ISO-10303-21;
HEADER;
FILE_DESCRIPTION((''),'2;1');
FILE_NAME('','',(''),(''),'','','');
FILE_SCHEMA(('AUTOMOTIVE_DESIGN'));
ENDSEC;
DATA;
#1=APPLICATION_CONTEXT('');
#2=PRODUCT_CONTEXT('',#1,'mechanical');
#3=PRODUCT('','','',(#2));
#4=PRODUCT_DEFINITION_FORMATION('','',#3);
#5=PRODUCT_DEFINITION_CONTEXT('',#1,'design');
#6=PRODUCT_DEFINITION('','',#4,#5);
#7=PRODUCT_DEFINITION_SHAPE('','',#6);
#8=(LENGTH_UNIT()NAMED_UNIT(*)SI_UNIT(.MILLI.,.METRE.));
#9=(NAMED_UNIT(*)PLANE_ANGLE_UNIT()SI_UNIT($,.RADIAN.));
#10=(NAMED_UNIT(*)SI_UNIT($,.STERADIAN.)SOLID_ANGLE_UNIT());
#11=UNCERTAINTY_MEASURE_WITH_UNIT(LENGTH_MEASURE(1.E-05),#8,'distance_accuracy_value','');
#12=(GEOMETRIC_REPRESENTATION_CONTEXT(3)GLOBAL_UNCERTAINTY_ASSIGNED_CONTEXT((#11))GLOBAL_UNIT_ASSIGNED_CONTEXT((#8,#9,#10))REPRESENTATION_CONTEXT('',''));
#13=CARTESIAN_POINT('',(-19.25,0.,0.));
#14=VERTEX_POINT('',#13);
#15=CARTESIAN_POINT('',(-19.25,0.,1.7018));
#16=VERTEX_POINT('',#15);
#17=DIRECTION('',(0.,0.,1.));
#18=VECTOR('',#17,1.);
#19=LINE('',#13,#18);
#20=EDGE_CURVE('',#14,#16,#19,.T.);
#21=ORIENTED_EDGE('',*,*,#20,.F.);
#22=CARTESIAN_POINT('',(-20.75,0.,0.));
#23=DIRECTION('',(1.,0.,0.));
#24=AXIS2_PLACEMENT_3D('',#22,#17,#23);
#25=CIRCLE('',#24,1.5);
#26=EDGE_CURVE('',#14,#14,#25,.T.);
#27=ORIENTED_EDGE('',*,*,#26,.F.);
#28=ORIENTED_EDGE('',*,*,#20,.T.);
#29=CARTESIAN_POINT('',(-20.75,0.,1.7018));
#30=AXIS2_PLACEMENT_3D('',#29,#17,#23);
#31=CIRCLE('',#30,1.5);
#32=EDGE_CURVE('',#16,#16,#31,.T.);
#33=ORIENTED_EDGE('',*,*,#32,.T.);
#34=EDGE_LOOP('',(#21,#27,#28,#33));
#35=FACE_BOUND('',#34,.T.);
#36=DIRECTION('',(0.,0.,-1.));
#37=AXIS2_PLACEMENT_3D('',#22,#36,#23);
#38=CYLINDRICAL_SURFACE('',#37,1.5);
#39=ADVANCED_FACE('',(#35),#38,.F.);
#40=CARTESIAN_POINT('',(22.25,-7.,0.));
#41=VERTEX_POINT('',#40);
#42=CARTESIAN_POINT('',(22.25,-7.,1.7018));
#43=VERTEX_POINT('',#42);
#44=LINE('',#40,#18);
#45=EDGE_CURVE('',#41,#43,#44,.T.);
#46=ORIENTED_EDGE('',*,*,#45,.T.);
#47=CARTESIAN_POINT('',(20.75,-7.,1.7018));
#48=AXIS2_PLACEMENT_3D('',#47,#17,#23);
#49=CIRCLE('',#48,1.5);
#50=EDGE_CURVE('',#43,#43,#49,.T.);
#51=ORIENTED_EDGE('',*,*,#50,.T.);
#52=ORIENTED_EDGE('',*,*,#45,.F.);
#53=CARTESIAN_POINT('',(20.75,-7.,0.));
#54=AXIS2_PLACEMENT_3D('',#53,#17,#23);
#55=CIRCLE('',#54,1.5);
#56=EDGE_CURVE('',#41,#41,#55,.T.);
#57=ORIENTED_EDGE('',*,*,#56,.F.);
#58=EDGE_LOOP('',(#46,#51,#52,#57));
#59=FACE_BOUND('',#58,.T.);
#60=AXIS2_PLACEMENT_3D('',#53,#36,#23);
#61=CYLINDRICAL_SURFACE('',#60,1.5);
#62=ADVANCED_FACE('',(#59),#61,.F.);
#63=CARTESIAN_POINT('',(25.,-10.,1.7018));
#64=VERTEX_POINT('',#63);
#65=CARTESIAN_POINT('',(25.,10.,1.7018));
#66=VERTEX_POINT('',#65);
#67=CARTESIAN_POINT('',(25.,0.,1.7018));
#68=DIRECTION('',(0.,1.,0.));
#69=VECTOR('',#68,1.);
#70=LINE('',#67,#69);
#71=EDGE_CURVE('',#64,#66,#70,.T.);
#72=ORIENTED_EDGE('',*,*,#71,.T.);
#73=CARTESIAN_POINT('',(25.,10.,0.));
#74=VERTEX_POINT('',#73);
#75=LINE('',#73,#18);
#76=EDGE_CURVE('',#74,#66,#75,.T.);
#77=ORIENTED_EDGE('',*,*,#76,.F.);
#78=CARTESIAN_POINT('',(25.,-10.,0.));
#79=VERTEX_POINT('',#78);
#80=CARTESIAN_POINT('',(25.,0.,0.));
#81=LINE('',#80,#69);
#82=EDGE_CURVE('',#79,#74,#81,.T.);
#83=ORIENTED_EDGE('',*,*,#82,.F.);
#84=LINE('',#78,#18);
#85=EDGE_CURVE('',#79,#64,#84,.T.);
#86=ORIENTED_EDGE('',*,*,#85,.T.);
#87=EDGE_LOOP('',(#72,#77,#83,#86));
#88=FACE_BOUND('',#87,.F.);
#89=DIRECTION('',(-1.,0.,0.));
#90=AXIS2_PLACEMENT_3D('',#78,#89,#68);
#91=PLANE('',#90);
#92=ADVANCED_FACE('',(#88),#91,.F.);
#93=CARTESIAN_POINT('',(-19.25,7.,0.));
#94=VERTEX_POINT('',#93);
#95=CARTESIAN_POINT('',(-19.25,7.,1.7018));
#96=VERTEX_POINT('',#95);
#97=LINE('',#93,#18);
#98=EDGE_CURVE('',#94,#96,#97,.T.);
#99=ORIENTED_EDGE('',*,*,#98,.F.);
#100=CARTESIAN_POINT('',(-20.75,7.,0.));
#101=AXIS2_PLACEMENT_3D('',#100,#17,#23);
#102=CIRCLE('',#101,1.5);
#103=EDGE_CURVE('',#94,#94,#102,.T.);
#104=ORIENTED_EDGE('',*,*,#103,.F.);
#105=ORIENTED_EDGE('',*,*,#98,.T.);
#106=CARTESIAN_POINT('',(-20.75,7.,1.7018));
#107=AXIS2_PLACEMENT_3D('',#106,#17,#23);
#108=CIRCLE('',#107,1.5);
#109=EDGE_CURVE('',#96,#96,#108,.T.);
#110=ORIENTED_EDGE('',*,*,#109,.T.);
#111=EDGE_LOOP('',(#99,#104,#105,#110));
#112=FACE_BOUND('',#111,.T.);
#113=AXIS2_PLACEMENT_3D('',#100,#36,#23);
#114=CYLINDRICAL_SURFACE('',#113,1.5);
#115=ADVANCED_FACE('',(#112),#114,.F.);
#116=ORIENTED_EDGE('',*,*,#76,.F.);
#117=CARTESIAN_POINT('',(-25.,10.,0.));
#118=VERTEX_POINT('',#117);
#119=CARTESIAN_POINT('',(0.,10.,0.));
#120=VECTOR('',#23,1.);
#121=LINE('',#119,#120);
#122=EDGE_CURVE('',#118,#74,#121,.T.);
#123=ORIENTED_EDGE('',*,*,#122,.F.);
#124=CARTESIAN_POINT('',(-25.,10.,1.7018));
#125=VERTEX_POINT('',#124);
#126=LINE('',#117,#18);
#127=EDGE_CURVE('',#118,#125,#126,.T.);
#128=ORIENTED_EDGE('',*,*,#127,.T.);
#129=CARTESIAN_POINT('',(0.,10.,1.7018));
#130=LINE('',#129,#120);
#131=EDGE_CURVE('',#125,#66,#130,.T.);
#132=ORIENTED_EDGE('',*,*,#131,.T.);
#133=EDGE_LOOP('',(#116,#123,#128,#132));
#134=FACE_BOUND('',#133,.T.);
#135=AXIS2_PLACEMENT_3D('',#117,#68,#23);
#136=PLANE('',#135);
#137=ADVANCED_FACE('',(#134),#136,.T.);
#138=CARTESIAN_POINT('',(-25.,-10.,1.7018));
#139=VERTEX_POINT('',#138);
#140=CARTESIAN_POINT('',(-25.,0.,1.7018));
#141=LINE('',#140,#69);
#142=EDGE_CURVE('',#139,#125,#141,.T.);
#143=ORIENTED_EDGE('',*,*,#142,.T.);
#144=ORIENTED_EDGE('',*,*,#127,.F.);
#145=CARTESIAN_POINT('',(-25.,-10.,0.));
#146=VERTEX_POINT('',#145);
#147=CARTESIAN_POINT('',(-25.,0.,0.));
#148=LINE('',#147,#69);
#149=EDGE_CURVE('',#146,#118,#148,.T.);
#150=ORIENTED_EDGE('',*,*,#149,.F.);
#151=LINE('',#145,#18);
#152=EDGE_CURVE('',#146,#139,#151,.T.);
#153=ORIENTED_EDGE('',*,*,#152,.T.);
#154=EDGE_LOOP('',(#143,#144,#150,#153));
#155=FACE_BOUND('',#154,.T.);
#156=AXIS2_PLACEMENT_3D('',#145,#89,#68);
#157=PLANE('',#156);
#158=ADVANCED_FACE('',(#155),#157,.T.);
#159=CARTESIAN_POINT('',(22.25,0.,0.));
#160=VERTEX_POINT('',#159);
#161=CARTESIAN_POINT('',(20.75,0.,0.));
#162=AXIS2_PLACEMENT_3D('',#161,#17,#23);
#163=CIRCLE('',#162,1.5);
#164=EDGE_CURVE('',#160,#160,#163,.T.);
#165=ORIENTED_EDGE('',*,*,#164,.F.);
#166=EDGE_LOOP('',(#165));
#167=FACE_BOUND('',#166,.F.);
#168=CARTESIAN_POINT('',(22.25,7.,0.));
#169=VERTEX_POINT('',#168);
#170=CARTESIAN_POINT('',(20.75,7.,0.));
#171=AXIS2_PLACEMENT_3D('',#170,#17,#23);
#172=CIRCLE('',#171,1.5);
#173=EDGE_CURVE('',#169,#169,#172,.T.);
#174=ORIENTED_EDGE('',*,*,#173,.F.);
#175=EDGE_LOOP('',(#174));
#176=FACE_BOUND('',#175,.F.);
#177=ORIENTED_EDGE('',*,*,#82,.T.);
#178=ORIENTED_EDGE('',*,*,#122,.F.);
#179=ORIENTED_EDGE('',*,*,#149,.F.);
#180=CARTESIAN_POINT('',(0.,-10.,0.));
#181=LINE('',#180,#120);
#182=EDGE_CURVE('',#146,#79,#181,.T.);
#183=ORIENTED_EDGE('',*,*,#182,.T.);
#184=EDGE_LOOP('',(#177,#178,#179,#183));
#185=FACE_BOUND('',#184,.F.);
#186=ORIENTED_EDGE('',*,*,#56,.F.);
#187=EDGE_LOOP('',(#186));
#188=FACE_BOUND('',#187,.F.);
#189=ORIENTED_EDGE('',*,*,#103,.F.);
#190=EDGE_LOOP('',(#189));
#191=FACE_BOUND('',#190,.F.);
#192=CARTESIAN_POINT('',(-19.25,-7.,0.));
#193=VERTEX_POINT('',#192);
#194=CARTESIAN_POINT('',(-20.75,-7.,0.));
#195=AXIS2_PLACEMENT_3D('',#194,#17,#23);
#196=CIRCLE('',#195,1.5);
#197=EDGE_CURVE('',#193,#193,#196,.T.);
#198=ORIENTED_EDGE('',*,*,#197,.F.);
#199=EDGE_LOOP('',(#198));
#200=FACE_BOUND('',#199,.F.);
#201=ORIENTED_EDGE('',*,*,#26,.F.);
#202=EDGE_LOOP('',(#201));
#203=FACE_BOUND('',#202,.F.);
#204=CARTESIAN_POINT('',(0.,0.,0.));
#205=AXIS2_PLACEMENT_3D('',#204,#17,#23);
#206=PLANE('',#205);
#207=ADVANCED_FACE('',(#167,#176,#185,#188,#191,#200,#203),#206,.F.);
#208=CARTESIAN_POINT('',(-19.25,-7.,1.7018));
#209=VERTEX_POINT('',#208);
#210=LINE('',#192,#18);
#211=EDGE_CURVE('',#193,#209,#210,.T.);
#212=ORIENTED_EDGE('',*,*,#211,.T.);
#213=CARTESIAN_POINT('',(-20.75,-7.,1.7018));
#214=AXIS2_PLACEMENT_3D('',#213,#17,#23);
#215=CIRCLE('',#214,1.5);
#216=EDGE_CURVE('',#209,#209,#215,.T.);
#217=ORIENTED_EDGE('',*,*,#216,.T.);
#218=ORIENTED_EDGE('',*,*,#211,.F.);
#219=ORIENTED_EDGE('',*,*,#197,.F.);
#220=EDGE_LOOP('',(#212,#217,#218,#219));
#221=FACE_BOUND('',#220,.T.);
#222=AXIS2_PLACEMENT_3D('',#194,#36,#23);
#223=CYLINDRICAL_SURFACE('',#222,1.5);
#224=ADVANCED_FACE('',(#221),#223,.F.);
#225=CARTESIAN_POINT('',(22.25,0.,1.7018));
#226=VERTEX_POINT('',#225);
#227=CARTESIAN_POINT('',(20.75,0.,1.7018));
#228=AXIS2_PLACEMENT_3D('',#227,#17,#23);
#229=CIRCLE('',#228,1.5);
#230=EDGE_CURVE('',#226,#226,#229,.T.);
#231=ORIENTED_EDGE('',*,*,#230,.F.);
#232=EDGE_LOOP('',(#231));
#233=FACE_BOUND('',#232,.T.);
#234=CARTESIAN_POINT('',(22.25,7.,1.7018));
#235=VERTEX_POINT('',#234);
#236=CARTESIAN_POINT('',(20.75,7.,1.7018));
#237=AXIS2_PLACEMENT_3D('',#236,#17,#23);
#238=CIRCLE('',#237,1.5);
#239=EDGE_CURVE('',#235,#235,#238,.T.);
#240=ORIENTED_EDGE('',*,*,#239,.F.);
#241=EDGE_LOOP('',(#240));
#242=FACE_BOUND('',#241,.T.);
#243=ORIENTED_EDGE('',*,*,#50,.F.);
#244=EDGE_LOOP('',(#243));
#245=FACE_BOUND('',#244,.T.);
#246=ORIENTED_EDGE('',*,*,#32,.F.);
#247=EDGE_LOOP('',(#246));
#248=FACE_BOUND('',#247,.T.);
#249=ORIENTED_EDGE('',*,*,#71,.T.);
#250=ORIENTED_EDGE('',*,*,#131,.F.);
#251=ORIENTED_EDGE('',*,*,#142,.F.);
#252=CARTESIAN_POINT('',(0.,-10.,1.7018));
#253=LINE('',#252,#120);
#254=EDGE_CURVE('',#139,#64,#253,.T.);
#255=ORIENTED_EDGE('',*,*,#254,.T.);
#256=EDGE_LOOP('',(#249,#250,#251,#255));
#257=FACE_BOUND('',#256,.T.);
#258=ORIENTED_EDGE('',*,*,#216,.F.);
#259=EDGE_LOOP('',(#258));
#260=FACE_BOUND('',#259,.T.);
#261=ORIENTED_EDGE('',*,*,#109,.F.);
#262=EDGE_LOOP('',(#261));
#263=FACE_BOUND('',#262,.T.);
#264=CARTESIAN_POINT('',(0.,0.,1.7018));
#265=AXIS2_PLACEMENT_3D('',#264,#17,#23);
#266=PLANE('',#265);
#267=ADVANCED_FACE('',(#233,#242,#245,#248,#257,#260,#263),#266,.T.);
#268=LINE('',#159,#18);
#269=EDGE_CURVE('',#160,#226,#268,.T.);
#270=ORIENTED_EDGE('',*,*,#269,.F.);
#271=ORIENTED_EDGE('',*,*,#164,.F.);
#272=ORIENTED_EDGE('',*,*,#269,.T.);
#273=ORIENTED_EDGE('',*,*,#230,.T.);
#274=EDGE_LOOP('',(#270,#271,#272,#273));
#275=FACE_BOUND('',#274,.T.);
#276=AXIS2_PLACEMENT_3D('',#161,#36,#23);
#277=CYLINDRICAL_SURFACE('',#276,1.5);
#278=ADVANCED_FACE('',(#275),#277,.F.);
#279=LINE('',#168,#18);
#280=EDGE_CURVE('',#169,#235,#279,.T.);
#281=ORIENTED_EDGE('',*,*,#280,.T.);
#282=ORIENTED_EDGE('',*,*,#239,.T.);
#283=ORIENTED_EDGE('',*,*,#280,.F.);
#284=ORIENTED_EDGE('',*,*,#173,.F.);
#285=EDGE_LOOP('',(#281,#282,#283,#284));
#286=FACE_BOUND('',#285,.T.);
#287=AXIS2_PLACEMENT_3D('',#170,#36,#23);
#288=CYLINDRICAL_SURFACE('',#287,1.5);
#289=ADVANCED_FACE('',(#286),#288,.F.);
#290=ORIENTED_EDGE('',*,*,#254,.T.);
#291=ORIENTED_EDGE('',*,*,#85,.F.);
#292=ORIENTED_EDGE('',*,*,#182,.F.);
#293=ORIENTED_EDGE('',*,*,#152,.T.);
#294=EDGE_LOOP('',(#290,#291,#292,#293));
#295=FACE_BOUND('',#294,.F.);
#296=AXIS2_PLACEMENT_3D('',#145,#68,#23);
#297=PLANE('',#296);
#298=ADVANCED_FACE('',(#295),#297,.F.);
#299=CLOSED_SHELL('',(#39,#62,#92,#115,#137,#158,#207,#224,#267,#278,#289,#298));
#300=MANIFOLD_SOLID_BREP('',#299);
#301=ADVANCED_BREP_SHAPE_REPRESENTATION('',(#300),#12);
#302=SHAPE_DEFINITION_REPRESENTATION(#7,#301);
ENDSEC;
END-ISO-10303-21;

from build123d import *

# Parameters (mm, degrees)
F0_W     = 50
F0_H     = 20
F0_R     = 1.5
F1_DEPTH = 1.7018


with BuildPart() as f1:
    # F0 (on Top) → F1 (new body)
    with BuildSketch(Plane.XY):
        Rectangle(F0_W, F0_H)
        with Locations((-20.75, -7)):
            Circle(F0_R, mode=Mode.SUBTRACT)
        with Locations((20.75, -7)):
            Circle(F0_R, mode=Mode.SUBTRACT)
        with Locations((-20.75, 0)):
            Circle(F0_R, mode=Mode.SUBTRACT)
        with Locations((-20.75, 7)):
            Circle(F0_R, mode=Mode.SUBTRACT)
        with Locations((20.75, 0)):
            Circle(F0_R, mode=Mode.SUBTRACT)
        with Locations((20.75, 7)):
            Circle(F0_R, mode=Mode.SUBTRACT)
    extrude(amount=F1_DEPTH)


solid = f1.part
